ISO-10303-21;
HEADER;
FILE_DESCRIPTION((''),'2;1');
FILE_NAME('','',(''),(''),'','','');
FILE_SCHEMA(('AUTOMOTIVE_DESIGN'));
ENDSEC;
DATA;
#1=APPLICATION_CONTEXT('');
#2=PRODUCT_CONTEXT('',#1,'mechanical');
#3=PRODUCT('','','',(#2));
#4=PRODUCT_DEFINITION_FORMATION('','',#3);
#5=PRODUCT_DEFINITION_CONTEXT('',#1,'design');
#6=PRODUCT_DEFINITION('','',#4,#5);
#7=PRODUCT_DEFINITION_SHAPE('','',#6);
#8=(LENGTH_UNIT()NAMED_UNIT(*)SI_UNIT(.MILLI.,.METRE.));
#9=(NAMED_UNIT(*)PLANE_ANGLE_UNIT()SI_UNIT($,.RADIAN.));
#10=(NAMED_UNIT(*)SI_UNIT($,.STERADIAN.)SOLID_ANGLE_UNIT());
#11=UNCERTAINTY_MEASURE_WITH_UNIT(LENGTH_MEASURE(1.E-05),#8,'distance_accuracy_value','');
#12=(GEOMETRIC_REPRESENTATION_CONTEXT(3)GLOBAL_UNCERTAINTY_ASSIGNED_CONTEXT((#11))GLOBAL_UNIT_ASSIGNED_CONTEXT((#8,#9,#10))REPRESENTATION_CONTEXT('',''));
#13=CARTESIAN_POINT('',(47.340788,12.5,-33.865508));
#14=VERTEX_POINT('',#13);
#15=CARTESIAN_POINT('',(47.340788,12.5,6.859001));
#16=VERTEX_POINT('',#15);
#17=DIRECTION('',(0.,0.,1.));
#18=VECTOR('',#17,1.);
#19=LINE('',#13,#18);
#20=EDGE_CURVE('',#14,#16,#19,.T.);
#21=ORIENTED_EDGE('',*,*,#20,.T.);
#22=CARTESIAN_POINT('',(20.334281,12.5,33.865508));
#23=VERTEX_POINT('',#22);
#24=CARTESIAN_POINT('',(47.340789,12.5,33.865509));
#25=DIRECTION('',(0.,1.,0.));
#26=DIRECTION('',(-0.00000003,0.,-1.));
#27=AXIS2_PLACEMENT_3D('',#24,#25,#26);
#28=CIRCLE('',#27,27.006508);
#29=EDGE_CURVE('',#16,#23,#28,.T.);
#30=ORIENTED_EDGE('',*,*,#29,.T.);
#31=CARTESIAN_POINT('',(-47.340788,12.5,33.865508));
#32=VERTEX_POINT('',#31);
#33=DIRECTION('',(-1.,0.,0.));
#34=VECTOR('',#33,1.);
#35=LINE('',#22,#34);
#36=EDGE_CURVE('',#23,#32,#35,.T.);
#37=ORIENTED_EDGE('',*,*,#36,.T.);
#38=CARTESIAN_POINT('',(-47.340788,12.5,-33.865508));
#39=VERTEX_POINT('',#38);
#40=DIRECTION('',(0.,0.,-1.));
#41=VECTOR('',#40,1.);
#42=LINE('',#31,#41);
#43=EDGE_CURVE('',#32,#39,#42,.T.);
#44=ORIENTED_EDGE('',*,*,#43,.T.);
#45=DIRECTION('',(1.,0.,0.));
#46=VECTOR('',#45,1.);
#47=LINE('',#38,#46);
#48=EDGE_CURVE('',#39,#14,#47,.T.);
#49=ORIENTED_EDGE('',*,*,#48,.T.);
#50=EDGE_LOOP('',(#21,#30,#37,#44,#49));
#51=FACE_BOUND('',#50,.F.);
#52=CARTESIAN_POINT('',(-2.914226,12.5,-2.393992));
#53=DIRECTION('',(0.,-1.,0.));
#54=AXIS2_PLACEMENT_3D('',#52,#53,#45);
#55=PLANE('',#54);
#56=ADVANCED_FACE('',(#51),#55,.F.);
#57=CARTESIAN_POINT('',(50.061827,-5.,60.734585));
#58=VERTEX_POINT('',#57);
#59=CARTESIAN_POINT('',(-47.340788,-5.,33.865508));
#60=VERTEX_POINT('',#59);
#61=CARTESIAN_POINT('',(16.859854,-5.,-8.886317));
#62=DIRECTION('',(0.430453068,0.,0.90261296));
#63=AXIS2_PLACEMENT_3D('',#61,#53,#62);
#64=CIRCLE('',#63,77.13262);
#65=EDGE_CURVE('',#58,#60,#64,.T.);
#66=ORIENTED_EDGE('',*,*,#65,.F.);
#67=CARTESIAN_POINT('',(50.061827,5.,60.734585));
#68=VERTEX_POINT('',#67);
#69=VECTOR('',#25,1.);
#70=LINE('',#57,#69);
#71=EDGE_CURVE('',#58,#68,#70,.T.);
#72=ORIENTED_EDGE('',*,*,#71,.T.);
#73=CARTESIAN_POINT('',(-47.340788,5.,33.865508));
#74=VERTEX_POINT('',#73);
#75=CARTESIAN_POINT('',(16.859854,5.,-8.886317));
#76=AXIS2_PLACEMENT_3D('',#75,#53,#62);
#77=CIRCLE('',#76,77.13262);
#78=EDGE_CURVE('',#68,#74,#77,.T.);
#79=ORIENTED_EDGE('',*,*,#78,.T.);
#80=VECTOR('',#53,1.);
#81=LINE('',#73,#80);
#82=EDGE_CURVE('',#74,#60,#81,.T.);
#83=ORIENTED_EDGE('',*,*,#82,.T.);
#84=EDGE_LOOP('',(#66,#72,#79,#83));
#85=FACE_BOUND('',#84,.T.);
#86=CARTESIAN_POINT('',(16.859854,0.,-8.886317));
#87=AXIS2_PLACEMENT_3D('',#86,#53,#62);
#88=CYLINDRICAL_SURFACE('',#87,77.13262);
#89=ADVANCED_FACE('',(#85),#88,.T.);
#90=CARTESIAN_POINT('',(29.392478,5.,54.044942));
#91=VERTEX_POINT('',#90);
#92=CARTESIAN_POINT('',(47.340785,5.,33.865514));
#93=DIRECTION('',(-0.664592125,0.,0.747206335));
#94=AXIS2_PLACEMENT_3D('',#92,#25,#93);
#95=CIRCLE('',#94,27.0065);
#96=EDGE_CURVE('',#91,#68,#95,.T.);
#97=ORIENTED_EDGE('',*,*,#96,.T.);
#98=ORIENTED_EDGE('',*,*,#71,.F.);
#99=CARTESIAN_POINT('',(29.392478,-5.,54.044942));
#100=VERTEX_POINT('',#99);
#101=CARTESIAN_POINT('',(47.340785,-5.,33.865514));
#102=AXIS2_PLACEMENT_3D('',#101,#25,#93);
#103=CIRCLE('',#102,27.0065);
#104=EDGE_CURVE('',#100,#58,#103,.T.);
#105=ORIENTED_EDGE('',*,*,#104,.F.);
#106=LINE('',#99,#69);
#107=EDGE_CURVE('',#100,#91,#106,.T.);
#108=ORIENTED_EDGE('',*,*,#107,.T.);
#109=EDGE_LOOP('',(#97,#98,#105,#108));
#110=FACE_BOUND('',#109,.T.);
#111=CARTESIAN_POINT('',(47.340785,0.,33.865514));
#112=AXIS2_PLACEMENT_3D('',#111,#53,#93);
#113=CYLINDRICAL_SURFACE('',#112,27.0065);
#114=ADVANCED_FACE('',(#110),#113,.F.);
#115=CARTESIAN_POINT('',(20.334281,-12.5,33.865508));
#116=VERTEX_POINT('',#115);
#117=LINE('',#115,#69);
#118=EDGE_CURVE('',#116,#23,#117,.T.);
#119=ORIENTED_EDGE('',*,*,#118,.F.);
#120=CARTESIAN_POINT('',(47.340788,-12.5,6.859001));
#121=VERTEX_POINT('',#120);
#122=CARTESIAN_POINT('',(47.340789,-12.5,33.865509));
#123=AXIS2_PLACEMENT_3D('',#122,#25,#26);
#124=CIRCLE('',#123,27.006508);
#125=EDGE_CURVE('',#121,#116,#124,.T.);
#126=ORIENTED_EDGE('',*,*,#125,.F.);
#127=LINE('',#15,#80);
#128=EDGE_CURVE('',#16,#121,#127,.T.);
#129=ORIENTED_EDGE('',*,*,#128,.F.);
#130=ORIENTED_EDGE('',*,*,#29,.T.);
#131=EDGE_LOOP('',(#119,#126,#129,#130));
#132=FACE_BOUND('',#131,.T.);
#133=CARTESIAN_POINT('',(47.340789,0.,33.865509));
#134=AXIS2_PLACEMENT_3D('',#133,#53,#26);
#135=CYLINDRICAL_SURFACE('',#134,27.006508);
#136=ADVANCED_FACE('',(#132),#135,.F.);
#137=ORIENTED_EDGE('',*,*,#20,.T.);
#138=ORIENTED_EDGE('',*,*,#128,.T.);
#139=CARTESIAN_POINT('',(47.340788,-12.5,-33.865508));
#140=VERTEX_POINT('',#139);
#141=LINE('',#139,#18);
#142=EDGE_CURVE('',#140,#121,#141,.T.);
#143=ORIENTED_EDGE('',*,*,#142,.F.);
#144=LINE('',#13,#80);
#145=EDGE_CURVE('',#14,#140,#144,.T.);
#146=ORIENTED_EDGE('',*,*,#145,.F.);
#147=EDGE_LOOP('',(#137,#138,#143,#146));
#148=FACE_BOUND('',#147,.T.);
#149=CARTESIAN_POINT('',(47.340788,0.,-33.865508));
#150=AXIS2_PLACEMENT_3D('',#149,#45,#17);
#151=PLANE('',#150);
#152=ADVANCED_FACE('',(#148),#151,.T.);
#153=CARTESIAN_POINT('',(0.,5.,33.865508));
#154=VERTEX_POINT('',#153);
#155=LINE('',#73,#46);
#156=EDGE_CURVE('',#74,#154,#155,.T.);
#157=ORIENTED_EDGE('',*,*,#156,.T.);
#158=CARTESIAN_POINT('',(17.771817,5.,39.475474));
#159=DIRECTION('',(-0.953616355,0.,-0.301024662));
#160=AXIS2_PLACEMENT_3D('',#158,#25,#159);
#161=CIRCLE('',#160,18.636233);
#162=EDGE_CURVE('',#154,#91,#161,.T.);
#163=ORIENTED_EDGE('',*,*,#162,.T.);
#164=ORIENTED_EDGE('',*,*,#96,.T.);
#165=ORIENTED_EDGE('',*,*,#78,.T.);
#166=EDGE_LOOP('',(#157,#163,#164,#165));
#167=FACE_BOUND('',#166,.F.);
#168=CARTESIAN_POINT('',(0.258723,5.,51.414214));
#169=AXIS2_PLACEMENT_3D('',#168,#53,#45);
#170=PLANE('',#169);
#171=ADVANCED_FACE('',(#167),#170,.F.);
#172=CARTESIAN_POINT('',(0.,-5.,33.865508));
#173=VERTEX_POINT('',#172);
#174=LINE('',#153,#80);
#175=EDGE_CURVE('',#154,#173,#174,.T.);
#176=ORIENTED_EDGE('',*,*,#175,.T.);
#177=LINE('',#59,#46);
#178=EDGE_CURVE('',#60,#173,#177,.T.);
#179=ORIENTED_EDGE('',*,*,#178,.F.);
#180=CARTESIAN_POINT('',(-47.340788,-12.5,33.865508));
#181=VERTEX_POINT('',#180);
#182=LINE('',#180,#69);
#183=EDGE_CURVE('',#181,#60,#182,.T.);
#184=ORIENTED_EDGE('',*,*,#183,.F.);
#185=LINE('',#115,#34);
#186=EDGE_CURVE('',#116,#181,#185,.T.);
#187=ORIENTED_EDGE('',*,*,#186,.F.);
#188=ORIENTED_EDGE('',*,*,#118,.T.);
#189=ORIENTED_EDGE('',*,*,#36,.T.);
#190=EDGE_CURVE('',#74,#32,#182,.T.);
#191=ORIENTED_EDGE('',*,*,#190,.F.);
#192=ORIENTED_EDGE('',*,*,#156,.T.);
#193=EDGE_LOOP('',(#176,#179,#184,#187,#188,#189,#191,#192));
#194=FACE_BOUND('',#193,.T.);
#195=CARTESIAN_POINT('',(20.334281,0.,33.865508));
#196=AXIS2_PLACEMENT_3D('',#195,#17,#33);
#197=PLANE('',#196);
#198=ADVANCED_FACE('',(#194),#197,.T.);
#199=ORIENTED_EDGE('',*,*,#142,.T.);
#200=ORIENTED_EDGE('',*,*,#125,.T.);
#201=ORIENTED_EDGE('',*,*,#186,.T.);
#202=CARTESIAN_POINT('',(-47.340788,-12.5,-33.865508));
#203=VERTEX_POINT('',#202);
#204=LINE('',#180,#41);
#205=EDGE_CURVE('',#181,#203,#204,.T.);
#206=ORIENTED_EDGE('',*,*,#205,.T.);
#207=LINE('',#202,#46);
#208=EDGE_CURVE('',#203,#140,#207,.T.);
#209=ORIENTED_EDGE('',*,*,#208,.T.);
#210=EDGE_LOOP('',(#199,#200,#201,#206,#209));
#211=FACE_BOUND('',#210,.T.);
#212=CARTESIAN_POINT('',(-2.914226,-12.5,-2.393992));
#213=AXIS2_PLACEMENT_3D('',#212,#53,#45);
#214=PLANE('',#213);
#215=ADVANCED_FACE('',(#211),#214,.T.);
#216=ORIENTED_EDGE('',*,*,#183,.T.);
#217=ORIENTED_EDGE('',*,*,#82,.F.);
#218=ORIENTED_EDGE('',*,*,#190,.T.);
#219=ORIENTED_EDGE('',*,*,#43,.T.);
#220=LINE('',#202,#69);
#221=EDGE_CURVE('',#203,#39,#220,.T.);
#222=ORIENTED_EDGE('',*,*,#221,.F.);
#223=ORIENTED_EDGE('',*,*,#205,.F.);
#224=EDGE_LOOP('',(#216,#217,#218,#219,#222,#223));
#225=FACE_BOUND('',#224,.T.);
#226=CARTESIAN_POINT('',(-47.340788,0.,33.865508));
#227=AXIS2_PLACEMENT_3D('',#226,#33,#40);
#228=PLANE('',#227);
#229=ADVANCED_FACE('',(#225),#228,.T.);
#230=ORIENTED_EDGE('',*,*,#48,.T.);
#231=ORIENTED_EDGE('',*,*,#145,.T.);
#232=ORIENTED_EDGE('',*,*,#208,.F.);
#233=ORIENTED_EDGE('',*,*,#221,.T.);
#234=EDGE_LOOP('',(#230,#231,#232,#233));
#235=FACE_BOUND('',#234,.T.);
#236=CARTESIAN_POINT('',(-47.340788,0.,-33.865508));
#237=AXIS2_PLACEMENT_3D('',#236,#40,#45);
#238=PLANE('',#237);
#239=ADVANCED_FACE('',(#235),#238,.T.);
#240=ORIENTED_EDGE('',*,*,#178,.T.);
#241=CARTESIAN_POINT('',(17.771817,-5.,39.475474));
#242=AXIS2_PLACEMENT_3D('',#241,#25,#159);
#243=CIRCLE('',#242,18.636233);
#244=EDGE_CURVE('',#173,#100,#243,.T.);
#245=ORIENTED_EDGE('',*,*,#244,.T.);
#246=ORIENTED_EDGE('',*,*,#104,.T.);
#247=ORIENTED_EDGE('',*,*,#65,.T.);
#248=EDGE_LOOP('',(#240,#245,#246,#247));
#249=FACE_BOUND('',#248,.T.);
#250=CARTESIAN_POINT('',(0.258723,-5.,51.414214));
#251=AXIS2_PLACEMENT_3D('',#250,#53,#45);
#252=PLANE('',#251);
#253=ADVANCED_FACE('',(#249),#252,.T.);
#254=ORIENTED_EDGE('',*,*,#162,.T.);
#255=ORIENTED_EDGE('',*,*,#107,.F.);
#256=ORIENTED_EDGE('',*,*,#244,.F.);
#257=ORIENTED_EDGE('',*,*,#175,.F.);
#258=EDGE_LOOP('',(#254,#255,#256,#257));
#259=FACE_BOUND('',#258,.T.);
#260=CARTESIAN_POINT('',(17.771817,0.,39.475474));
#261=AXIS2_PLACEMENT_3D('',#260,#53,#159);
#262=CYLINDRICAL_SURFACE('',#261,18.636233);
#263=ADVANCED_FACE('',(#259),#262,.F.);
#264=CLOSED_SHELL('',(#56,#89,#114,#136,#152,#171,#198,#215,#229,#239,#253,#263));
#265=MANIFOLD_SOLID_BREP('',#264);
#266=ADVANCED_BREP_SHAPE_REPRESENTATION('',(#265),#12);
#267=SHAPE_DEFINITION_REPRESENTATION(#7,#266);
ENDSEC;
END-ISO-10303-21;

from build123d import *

# Parameters (mm, degrees)
F1_DEPTH = 12.5
F2_DEPTH = 5


with BuildPart() as f1:
    # F0 (on Front) → F1 (new body, symmetric)
    with BuildSketch(Plane.XZ):
        with BuildLine():
            Line((-47.340788, -33.865508), (47.340788, -33.865508))
            Line((47.340788, -33.865508), (47.340788, 6.859001))
            ThreePointArc((47.340788, 6.859001), (28.244304, 14.769024), (20.334281, 33.865508))
            Line((20.334281, 33.865508), (0, 33.865508))
            Line((0, 33.865508), (-47.340788, 33.865508))
            Line((-47.340788, 33.865508), (-47.340788, -33.865508))
        make_face()
    extrude(amount=F1_DEPTH, both=True)

    # F0 (on Front) → F2 (join, symmetric)
    with BuildSketch(Plane.XZ):
        with BuildLine():
            ThreePointArc((50.061827, 60.734585), (-3.651514, 65.469078), (-47.340788, 33.865508))
            Line((-47.340788, 33.865508), (0, 33.865508))
            ThreePointArc((0, 33.865508), (7.223757, 54.839315), (29.392478, 54.044942))
            ThreePointArc((29.392478, 54.044942), (39.024823, 59.55979), (50.061827, 60.734585))
        make_face()
    extrude(amount=F2_DEPTH, both=True)


solid = f1.part
